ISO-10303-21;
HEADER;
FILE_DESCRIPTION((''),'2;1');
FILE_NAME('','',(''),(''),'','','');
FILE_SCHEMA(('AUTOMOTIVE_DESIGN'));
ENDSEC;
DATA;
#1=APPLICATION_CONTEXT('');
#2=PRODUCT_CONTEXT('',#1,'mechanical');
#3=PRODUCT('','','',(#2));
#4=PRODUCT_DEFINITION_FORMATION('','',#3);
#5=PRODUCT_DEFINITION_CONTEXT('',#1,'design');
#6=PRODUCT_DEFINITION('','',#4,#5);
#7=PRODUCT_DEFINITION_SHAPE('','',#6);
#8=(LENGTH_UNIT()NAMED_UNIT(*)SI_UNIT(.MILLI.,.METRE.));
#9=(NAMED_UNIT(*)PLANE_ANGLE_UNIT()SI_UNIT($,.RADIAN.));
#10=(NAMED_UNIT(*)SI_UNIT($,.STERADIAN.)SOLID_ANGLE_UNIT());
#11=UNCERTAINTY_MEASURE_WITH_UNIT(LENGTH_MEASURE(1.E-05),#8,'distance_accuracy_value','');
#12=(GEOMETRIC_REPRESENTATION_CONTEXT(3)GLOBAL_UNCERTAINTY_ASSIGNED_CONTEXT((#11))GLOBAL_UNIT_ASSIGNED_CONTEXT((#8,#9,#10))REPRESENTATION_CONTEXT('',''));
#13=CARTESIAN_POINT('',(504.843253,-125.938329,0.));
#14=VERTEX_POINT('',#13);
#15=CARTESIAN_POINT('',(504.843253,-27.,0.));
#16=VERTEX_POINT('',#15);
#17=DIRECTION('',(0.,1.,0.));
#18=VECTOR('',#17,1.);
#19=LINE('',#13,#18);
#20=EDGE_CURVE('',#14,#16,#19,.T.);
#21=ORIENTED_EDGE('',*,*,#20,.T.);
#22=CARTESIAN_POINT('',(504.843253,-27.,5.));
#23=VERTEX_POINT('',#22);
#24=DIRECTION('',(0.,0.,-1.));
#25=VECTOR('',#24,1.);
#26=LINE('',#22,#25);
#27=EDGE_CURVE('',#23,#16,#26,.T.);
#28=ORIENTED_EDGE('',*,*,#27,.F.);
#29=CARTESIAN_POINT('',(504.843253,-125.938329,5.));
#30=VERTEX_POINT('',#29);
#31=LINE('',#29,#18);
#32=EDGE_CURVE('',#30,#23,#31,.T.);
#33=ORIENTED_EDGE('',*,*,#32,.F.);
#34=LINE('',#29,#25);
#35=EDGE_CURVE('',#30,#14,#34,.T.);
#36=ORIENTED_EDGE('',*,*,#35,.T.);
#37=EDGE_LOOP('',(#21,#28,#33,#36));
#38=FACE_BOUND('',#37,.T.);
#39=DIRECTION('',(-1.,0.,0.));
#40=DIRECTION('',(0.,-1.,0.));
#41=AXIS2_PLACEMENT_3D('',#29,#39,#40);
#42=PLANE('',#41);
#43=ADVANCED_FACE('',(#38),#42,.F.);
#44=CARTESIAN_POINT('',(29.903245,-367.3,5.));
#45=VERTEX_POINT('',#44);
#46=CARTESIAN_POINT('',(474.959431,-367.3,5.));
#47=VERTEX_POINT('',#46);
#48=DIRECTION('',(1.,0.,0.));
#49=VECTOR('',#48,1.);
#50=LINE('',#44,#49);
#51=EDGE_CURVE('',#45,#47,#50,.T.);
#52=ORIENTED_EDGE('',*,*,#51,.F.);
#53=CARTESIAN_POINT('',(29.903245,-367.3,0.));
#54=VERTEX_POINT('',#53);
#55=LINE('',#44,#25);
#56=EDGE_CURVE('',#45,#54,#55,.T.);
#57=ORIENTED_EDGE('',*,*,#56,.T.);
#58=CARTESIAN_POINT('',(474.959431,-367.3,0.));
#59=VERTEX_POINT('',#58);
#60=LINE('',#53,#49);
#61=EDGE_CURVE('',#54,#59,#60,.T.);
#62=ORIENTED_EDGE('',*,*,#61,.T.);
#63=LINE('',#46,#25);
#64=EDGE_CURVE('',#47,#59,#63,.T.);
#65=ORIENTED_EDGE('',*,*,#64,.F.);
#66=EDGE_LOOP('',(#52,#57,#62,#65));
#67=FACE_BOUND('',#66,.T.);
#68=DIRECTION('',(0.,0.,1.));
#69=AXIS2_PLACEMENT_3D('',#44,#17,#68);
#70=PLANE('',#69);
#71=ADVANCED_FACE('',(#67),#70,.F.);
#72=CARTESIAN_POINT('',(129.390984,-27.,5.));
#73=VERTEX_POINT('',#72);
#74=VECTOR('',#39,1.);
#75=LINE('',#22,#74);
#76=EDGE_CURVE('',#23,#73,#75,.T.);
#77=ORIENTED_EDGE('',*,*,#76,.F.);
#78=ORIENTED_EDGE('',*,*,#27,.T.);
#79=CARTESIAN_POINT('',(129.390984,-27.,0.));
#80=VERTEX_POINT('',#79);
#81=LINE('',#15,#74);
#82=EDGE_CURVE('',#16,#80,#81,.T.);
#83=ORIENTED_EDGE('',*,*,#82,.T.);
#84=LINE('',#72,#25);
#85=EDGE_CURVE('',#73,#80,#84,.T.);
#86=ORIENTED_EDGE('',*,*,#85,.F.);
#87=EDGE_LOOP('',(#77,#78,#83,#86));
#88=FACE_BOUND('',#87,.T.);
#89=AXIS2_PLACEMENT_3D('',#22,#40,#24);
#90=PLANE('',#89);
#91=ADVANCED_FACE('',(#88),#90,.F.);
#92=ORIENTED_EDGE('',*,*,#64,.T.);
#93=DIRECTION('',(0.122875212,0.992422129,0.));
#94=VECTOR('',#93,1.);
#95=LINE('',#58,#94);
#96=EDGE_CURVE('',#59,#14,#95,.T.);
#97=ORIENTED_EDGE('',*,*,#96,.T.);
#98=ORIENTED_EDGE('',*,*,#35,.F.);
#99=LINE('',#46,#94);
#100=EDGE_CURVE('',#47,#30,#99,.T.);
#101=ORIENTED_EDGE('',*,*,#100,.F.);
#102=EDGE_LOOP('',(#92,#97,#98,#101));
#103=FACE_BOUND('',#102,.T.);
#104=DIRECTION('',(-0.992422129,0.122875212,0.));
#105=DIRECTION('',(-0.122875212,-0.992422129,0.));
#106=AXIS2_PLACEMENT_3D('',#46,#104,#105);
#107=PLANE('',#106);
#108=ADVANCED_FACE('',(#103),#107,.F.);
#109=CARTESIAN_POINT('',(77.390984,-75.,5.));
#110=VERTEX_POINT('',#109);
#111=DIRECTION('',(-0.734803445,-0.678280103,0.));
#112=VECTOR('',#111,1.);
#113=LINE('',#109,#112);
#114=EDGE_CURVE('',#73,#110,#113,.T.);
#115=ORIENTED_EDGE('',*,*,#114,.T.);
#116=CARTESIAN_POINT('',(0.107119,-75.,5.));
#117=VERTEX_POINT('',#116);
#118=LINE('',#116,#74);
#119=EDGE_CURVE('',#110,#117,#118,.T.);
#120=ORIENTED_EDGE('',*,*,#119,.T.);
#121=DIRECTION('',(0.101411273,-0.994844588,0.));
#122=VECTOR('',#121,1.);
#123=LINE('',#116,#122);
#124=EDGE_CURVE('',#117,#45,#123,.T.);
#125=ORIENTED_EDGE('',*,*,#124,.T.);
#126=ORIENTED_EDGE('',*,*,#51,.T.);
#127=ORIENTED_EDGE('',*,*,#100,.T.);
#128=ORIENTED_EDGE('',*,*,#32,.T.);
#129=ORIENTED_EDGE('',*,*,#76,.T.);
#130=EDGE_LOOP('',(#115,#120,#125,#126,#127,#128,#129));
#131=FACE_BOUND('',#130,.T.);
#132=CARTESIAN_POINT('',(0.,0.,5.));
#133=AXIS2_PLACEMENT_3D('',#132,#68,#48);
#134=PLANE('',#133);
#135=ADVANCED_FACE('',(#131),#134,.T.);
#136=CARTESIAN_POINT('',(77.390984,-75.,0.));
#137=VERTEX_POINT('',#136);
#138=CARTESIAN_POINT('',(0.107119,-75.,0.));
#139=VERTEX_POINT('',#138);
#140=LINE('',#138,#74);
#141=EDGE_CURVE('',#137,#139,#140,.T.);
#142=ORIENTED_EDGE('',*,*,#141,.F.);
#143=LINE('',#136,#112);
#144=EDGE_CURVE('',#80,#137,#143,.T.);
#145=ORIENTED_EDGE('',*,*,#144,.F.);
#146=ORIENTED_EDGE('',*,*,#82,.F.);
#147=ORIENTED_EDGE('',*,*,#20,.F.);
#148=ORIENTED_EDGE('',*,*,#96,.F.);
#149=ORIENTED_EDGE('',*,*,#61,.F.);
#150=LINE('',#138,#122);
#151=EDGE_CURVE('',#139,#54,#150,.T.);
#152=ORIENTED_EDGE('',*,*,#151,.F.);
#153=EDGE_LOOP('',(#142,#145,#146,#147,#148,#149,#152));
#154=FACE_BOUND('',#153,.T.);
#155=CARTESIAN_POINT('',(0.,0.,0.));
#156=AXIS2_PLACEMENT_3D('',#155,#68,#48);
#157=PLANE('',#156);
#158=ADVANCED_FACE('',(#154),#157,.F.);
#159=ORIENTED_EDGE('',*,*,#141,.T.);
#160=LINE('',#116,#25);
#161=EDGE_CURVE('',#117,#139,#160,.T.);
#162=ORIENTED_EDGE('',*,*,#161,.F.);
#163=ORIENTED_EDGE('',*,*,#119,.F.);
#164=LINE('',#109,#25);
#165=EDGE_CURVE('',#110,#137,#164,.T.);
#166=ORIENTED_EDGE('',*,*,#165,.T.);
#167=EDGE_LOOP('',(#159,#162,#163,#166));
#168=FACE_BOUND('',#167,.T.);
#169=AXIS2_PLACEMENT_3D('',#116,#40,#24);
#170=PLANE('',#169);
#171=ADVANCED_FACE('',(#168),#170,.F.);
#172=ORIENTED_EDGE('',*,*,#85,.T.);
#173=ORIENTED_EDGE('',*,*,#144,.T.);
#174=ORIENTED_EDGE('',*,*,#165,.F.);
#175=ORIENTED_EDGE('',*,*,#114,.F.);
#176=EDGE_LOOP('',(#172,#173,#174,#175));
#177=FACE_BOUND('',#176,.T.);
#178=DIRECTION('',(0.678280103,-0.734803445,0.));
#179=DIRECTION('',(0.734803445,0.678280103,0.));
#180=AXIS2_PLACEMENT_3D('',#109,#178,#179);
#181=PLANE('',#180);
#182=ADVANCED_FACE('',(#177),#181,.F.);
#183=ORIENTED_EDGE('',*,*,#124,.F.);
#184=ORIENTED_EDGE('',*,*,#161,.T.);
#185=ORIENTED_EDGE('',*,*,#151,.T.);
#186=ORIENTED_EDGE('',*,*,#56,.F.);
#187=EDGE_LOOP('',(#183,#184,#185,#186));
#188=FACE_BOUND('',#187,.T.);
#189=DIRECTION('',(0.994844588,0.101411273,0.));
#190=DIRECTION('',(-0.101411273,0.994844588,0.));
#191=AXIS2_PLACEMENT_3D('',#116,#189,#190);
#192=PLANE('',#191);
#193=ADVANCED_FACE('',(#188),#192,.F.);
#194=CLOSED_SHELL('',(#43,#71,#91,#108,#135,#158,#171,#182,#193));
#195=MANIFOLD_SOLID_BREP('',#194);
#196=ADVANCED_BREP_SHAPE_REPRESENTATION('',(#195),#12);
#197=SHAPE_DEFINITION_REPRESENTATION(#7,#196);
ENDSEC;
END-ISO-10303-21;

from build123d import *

# Parameters (mm, degrees)
BOSS_EXTRU_1_DEPTH = 5


with BuildPart() as part:
    # Esquisse1 → Boss.-Extru.1 (new body)
    with BuildSketch(Plane.XY):
        Polygon((0.107118927, -75), (29.903245329, -367.3), (474.959430721, -367.3), (504.843253, -125.938328726), (504.843253, -27), (129.390983834, -27), (77.390983834, -75), align=None)
    extrude(amount=BOSS_EXTRU_1_DEPTH)


solid = part.part
